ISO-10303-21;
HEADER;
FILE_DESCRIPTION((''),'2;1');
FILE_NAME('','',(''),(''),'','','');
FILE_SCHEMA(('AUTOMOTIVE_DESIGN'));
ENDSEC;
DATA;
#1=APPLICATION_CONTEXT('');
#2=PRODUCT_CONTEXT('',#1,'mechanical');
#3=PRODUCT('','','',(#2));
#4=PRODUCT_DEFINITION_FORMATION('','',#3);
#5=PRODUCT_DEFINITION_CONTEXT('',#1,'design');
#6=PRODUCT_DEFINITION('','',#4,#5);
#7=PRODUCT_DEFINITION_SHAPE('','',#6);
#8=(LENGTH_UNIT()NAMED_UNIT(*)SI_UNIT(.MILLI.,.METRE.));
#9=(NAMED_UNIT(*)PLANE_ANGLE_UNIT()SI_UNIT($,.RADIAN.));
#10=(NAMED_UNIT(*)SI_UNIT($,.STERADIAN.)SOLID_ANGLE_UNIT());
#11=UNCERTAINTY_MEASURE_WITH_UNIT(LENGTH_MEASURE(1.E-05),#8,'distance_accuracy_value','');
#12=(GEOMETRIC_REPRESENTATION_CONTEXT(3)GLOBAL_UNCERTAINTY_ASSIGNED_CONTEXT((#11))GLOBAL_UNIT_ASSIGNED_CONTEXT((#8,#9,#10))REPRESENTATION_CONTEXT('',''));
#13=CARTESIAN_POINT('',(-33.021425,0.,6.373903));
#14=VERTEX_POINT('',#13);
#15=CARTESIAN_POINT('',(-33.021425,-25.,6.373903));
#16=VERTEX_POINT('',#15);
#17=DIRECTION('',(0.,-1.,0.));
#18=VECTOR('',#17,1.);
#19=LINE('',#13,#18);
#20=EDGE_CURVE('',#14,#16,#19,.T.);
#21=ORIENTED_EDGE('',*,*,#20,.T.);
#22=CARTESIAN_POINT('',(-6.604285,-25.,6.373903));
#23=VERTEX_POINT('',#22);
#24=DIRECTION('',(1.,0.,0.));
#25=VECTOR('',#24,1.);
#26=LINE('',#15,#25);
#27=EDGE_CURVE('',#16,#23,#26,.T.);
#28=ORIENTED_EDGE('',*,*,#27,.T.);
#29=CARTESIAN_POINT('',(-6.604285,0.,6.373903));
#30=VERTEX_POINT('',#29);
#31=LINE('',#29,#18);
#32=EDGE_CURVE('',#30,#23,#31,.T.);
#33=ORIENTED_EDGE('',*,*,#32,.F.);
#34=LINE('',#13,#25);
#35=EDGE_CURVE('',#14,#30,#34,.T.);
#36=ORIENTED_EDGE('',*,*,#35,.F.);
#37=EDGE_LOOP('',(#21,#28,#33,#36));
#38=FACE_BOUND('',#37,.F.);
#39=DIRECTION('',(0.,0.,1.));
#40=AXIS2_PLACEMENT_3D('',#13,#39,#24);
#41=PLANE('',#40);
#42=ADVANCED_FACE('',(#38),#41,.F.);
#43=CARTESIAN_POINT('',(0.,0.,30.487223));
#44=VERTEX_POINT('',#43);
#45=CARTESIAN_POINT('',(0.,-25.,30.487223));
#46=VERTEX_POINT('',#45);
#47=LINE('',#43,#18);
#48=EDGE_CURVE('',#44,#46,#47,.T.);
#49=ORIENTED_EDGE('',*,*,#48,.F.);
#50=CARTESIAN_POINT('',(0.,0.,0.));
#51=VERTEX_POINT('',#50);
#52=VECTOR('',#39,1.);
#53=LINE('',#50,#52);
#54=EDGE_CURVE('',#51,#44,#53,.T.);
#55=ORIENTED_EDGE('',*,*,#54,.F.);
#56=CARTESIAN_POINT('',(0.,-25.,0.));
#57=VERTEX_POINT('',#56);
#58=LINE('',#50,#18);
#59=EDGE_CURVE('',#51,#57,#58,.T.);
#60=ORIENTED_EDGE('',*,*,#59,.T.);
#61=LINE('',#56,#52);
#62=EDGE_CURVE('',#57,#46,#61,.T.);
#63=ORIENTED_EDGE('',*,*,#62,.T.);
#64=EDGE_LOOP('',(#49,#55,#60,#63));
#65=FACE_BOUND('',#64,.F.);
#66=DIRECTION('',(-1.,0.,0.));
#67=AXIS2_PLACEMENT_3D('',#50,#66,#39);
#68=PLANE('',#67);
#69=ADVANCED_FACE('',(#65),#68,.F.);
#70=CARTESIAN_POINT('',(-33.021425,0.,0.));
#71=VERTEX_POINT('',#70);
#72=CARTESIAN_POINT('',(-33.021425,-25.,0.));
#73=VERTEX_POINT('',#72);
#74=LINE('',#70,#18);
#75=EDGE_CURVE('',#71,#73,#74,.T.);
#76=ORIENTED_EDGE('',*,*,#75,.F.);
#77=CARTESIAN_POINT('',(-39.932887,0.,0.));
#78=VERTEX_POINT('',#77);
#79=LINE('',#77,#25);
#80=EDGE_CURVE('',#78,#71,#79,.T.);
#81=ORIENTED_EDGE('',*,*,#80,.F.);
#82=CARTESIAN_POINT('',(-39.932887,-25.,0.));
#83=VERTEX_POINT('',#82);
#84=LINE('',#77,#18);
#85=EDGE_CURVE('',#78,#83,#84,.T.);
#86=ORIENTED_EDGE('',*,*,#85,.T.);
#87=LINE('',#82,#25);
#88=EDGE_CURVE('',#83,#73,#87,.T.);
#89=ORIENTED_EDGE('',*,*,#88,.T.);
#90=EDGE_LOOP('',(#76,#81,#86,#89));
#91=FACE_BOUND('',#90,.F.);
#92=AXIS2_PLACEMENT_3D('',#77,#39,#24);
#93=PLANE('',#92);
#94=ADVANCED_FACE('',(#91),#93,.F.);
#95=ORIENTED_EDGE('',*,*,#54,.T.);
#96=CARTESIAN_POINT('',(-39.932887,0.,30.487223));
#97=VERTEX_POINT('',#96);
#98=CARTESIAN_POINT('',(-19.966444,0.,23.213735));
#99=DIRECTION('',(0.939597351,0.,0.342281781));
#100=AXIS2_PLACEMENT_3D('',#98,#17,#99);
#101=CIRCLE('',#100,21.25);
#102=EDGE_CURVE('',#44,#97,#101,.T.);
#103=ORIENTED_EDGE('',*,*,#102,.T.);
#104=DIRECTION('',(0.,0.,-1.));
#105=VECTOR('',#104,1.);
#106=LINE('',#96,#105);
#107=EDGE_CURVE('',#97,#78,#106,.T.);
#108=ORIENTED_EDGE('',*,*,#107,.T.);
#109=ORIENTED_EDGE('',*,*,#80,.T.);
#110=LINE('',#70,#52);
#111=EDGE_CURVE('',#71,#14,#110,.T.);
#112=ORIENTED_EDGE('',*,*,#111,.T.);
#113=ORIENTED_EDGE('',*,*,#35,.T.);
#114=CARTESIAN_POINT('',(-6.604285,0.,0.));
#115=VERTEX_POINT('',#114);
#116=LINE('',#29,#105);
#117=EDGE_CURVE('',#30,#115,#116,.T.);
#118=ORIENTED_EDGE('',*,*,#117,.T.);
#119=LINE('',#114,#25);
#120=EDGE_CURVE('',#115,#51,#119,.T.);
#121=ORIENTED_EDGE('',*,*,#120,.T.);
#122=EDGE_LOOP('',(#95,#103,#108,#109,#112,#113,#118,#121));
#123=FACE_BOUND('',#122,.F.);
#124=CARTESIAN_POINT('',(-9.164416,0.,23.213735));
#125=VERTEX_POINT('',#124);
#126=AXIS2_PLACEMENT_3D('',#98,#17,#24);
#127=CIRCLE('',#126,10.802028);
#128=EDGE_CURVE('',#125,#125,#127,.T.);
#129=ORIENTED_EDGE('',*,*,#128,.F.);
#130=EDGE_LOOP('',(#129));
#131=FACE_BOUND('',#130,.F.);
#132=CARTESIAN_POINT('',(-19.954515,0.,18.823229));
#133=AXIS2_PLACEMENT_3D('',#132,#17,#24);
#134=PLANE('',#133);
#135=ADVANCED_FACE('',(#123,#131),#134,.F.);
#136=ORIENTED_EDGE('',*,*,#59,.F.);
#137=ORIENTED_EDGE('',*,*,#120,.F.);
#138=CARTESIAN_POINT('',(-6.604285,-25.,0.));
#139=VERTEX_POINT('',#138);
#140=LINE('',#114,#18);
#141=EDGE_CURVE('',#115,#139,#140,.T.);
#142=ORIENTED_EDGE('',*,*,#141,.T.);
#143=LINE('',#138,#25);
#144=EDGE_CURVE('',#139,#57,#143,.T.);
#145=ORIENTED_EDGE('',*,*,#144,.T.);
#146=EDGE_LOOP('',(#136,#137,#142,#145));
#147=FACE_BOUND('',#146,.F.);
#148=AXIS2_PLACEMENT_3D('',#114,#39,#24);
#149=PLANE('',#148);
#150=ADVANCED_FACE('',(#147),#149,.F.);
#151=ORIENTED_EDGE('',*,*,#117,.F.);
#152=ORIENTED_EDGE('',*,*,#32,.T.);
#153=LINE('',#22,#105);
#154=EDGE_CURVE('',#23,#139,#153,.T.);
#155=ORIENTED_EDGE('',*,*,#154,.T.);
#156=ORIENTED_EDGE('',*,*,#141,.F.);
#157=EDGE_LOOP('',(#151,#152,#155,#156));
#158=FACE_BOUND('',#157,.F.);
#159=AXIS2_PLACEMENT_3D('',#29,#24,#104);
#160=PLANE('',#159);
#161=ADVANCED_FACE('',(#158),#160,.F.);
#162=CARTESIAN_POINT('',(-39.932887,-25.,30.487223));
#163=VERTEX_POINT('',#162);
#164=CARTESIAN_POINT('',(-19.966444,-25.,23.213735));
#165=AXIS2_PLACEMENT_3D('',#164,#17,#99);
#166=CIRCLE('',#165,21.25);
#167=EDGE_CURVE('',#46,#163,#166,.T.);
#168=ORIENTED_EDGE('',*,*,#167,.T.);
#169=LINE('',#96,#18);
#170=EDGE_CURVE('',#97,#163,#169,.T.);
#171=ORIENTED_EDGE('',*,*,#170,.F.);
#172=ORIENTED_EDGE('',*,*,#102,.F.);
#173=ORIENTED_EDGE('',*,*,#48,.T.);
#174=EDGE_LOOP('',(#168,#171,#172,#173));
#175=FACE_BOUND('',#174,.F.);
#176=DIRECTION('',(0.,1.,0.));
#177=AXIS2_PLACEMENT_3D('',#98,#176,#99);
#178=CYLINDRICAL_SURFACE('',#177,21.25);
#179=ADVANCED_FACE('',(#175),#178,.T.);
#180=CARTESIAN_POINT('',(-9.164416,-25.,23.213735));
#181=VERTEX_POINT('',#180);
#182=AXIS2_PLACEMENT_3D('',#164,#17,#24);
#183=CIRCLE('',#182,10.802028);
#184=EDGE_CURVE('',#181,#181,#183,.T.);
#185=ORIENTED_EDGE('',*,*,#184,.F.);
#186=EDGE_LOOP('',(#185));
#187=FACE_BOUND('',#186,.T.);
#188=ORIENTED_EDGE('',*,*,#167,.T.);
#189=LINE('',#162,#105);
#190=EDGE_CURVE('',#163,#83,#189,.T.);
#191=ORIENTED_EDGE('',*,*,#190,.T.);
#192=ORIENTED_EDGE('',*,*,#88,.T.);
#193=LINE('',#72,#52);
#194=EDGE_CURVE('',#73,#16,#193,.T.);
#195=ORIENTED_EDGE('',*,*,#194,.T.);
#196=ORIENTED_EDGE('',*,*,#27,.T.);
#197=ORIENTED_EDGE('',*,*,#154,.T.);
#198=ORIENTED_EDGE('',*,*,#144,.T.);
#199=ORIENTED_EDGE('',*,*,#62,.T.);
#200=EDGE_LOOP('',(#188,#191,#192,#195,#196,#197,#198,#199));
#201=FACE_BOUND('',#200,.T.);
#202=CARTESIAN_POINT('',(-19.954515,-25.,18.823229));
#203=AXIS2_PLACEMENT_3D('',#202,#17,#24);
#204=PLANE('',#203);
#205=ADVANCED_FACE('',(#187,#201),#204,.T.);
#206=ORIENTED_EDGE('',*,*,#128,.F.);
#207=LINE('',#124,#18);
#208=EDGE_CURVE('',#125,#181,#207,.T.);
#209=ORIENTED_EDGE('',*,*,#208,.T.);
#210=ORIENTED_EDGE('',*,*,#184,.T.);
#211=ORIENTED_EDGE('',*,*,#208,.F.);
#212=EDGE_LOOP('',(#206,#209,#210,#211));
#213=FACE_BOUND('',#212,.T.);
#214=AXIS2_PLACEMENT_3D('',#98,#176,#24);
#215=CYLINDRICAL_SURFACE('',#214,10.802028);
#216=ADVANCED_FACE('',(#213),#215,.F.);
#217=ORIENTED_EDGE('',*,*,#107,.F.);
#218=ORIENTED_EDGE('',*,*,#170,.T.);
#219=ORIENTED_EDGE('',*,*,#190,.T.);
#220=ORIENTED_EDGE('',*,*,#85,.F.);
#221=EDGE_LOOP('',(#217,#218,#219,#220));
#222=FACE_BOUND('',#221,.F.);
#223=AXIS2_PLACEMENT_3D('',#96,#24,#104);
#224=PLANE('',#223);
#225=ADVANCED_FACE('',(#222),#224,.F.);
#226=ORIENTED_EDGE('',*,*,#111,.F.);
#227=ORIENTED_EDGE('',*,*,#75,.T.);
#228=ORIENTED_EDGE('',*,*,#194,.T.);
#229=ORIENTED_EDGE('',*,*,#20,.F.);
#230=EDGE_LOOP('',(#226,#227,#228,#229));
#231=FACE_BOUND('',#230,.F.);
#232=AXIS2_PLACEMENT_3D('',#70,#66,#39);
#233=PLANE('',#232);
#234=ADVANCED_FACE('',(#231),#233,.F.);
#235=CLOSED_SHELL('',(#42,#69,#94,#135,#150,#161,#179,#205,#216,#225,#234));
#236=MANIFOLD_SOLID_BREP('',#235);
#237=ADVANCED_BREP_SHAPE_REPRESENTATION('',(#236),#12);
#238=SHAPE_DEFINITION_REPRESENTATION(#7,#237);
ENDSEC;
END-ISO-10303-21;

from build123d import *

# Parameters (mm, degrees)
F0_R     = 10.802028
F1_DEPTH = 25


with BuildPart() as f1:
    # F0 (on Front) → F1 (new body)
    with BuildSketch(Plane.XZ):
        with BuildLine():
            Line((-6.604285, 0), (0, 0))
            Line((0, 0), (0, 30.487223))
            ThreePointArc((0, 30.487223), (-19.966444, 44.463735), (-39.932887, 30.487223))
            Line((-39.932887, 30.487223), (-39.932887, 0))
            Line((-39.932887, 0), (-33.021425, 0))
            Line((-33.021425, 0), (-33.021425, 6.373903))
            Line((-33.021425, 6.373903), (-6.604285, 6.373903))
            Line((-6.604285, 6.373903), (-6.604285, 0))
        make_face()
        with Locations((-19.966444, 23.213735)):
            Circle(F0_R, mode=Mode.SUBTRACT)
    extrude(amount=F1_DEPTH)


solid = f1.part
